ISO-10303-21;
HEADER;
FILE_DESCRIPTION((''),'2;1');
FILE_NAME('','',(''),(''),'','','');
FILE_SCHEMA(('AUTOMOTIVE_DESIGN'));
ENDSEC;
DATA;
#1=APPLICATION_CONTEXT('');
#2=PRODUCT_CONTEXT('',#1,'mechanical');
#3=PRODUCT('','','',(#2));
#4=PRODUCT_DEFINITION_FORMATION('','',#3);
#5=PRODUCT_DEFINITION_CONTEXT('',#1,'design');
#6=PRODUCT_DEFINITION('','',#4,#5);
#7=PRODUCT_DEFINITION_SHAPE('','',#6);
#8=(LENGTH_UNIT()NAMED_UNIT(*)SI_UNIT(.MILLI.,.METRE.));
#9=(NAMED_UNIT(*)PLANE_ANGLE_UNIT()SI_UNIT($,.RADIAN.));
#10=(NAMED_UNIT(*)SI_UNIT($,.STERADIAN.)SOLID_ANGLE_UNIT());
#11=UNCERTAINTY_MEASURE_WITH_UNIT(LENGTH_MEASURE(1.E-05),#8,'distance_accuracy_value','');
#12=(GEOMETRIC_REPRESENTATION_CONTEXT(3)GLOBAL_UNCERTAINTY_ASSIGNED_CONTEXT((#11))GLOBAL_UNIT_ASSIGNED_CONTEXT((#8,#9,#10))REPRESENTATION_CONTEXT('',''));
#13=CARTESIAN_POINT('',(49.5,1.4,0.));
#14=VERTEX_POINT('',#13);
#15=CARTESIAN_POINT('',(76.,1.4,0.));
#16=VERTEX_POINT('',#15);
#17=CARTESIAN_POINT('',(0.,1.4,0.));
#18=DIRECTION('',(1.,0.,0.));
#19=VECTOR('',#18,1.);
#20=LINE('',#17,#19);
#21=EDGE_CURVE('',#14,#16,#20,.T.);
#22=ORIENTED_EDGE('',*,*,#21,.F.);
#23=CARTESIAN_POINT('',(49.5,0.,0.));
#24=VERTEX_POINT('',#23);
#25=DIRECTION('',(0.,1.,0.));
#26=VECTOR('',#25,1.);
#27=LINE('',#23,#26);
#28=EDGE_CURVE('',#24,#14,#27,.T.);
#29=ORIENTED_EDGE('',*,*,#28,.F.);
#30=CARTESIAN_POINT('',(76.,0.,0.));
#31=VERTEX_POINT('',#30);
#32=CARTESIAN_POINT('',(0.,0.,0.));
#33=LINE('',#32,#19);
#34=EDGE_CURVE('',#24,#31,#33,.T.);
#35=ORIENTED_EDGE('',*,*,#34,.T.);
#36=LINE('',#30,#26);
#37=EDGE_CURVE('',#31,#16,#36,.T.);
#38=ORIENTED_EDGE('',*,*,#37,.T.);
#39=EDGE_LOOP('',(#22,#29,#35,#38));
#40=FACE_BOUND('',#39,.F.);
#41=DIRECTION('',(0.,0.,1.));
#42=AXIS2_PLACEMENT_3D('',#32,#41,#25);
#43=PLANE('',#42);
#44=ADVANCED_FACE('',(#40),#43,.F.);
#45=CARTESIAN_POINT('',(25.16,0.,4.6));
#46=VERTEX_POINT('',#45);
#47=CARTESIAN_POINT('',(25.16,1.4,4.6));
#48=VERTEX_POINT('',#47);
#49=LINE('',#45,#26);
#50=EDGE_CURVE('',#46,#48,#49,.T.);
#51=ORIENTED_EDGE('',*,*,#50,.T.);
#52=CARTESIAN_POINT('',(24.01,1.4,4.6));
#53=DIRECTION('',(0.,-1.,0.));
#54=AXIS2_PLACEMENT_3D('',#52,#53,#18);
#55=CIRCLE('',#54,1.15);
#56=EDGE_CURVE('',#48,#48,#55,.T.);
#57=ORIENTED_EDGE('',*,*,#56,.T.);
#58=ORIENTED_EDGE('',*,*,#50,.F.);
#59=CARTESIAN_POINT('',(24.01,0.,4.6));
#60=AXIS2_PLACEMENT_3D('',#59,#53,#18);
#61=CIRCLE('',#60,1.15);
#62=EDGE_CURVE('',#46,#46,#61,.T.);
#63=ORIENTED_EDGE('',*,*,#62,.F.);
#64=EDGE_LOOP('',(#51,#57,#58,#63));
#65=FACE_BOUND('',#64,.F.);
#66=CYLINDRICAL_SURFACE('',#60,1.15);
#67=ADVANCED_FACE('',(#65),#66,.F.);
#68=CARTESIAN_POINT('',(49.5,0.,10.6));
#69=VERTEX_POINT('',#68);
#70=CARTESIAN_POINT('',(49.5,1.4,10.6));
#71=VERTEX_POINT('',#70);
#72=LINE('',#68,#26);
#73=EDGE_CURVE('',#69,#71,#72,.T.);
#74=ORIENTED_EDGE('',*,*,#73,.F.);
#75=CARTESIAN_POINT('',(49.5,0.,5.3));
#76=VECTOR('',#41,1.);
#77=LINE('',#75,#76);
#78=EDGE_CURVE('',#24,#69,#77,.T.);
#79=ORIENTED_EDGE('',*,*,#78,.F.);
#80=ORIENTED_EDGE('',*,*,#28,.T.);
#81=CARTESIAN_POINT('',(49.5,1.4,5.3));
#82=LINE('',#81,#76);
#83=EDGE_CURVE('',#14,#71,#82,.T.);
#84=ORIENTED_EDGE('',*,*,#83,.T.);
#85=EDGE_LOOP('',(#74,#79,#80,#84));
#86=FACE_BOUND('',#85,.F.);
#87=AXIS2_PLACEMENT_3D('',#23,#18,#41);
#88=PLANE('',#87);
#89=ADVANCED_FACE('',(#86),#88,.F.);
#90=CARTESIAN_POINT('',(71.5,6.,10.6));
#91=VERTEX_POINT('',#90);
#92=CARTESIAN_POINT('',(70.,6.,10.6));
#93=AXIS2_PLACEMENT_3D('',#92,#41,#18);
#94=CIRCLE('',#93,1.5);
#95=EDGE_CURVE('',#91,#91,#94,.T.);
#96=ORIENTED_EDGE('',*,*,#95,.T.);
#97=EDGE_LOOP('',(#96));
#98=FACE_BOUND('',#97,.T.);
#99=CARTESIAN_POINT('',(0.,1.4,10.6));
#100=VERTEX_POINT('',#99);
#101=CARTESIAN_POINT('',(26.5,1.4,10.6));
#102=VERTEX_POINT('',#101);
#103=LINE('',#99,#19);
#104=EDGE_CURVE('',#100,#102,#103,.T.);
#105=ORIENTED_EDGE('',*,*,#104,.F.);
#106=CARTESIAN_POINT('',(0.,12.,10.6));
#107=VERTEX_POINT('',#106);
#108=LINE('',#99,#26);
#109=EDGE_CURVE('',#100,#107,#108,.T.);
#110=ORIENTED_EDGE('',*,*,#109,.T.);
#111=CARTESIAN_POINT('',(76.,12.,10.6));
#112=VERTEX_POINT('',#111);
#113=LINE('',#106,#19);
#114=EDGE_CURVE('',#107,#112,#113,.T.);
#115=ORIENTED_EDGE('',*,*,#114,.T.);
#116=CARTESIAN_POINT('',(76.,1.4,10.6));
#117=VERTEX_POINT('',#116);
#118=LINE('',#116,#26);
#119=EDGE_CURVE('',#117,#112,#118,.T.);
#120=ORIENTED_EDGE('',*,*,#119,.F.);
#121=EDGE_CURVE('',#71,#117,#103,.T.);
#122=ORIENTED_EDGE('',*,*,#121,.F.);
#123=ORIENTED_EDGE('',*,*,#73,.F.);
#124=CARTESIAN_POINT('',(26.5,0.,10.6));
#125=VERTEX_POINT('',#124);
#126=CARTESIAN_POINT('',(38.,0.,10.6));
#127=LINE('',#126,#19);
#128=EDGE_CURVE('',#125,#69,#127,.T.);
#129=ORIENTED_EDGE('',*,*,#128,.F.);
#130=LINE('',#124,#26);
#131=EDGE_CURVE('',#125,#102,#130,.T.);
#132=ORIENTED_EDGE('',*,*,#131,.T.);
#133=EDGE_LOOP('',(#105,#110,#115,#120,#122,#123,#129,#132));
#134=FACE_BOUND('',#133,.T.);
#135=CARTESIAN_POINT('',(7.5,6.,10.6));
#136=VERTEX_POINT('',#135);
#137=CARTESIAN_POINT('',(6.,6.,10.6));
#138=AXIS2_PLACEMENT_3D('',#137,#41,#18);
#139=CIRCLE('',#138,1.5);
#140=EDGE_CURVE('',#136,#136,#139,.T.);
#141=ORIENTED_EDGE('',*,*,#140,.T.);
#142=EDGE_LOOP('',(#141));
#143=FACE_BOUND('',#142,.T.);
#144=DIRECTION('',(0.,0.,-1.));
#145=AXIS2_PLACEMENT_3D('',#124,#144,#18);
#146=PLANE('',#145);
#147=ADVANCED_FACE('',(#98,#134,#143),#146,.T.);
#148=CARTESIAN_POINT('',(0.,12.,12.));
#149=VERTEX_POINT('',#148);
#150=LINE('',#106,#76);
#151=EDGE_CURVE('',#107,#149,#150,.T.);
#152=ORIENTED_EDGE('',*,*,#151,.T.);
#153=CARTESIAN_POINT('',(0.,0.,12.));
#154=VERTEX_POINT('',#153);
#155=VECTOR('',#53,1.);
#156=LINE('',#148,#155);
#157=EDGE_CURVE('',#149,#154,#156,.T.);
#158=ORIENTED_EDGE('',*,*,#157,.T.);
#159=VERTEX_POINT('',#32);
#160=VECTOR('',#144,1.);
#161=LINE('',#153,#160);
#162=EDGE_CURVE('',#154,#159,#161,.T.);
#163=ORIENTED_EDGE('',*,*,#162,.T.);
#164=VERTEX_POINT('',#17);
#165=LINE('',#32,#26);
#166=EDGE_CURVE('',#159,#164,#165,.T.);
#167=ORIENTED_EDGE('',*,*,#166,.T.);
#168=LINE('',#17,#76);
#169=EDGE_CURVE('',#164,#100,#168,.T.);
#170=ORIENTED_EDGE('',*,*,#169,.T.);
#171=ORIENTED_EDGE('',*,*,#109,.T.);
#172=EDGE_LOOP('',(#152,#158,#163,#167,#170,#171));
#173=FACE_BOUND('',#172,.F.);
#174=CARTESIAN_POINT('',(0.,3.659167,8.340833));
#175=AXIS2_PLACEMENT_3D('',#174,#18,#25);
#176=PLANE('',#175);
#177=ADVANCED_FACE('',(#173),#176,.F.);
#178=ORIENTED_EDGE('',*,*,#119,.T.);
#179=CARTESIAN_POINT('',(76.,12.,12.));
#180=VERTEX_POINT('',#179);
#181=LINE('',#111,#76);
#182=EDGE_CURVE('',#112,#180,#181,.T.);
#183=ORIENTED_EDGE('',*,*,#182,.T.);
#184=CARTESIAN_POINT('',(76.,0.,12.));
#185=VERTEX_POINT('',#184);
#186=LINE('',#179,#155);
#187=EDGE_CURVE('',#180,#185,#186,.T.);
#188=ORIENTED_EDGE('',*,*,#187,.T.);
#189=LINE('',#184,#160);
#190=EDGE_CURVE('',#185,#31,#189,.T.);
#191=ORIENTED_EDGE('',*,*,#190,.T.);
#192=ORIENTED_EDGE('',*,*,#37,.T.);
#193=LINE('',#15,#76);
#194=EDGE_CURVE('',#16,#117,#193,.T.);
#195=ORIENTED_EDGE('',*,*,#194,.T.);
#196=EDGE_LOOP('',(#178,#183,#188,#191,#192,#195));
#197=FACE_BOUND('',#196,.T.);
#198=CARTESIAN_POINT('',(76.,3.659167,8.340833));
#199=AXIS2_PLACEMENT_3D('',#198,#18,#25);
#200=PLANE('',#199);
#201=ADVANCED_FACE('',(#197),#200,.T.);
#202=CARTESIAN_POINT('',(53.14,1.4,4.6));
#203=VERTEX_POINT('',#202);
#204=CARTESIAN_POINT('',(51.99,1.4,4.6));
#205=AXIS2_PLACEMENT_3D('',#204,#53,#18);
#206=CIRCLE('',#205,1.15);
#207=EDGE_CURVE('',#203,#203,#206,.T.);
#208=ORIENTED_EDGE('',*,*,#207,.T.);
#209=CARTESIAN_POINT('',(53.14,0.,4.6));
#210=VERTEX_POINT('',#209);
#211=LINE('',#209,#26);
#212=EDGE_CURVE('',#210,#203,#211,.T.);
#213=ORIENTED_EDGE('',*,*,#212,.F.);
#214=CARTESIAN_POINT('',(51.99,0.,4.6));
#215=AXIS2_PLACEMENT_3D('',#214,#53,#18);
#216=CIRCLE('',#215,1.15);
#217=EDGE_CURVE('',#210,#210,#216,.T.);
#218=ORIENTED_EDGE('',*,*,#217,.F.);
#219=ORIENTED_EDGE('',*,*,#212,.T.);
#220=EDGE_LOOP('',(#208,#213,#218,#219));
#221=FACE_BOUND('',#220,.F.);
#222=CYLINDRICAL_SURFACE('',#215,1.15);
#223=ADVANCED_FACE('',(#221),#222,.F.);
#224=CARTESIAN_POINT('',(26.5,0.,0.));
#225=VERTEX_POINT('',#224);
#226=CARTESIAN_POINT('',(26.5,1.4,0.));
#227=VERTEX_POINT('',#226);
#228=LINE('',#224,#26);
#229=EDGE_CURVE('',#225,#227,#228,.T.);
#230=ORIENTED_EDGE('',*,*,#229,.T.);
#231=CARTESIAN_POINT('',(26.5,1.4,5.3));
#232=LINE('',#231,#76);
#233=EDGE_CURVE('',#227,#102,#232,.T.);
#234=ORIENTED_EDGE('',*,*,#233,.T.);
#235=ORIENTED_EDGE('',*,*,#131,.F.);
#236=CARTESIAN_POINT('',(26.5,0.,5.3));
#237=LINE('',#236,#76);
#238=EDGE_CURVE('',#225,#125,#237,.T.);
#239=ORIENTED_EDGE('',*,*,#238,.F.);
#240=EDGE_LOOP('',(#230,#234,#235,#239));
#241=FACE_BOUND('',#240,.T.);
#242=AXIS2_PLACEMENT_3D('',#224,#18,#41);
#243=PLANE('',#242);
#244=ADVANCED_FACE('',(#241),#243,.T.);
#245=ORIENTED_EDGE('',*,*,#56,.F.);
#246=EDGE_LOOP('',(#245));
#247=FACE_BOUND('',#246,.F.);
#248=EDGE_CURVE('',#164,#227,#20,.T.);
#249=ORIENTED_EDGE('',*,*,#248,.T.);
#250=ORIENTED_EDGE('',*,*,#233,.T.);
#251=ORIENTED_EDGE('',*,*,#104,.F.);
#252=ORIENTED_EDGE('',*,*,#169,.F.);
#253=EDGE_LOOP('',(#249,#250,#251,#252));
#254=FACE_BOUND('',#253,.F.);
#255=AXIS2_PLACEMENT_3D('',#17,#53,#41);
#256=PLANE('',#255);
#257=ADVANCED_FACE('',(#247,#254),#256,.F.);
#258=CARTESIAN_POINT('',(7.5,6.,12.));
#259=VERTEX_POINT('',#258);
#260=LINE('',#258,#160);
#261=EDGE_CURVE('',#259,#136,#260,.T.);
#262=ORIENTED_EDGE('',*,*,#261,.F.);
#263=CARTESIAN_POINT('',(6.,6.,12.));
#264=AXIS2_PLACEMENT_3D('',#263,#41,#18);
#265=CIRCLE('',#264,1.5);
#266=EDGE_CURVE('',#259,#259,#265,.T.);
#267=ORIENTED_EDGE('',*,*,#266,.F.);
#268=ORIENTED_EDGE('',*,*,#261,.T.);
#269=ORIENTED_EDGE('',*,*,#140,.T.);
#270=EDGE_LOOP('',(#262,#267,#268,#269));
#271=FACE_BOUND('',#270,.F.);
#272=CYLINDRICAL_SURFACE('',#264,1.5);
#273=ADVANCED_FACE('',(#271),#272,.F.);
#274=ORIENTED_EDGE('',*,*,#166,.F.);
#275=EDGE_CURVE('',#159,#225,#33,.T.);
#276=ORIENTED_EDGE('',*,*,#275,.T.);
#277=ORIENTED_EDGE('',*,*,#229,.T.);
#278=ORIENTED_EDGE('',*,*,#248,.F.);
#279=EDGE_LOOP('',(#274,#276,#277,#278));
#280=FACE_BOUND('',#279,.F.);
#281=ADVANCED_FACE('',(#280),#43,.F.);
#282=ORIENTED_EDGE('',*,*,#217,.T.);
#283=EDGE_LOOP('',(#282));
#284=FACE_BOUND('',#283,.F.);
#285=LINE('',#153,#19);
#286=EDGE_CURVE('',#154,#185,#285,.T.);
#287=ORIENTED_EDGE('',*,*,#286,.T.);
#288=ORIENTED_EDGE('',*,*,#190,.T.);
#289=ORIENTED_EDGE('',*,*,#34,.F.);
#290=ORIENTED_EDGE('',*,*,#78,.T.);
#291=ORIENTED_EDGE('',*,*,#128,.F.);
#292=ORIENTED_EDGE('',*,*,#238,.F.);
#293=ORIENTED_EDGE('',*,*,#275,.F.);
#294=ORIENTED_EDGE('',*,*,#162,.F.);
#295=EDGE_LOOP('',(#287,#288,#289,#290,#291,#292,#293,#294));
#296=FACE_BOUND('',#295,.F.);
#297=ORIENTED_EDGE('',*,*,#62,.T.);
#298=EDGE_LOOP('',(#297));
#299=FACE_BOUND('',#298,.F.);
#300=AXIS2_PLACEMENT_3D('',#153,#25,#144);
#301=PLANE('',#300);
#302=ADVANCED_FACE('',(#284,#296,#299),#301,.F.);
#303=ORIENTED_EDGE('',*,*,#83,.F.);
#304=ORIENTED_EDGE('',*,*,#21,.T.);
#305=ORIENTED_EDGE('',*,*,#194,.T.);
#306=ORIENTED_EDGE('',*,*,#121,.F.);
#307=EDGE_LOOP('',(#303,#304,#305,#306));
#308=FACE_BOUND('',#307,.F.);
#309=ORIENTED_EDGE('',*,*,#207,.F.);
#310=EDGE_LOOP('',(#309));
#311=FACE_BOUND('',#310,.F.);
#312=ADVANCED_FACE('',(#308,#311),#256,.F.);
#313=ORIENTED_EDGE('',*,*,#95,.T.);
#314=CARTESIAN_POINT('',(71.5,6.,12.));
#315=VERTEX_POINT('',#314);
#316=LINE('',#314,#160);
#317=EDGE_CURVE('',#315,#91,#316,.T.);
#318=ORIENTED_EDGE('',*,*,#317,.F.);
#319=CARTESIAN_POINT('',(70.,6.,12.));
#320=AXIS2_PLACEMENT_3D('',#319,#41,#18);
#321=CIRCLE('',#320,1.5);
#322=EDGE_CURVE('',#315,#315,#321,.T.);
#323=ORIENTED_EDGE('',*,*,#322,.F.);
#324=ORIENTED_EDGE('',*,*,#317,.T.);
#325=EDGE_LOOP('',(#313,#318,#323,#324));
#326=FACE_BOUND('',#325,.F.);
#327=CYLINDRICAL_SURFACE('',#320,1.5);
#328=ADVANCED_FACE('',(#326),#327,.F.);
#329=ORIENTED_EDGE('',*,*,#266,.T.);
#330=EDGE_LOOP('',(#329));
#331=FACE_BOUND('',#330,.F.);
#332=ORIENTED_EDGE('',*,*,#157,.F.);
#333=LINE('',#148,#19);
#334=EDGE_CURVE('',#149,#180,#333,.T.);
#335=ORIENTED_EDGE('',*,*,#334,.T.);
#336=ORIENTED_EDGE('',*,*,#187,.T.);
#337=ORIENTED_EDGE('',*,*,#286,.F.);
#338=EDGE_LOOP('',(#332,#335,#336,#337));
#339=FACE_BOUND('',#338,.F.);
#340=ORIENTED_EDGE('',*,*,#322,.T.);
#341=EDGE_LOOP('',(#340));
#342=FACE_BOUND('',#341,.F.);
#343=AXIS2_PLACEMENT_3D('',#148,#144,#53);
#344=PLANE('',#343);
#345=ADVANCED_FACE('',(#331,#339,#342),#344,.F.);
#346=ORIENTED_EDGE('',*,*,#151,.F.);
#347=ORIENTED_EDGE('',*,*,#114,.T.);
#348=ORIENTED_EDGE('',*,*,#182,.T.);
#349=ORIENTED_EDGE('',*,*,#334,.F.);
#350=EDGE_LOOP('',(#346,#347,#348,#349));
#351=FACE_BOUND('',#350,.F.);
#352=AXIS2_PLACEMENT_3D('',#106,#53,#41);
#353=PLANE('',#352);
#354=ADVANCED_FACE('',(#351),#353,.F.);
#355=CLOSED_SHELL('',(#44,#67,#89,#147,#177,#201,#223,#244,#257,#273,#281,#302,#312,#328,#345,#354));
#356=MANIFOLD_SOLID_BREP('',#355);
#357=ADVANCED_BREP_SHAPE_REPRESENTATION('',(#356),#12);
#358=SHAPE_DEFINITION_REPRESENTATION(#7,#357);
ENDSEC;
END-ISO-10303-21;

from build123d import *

# Parameters (mm, degrees)
F1_DEPTH = 76
F2_W     = 23
F2_H     = 10.6
F2_R     = 1.15
F3_DEPTH = 1.4
F4_R     = 1.5
F5_DEPTH = 1.4


with BuildPart() as f1:
    # F0 (on Right) → F1 (new body)
    with BuildSketch(Plane.YZ):
        Polygon((0, 12), (0, 0), (1.4, 0), (1.4, 10.6), (12, 10.6), (12, 12), align=None)
    extrude(amount=F1_DEPTH)

    # F2 (on face) → F3 (cut, through all)
    with BuildSketch(Plane.XZ):
        with Locations((38, 5.3)):
            Rectangle(F2_W, F2_H)
        with Locations((24.01, 4.6)):
            Circle(F2_R)
        with Locations((51.99, 4.6)):
            Circle(F2_R)
    extrude(amount=-F3_DEPTH, mode=Mode.SUBTRACT)

    # F4 (on face) → F5 (cut, through all)
    with BuildSketch(Plane.XY.offset(12)):
        with Locations((6, 6)):
            Circle(F4_R)
        with Locations((70, 6)):
            Circle(F4_R)
    extrude(amount=-F5_DEPTH, mode=Mode.SUBTRACT)


solid = f1.part
